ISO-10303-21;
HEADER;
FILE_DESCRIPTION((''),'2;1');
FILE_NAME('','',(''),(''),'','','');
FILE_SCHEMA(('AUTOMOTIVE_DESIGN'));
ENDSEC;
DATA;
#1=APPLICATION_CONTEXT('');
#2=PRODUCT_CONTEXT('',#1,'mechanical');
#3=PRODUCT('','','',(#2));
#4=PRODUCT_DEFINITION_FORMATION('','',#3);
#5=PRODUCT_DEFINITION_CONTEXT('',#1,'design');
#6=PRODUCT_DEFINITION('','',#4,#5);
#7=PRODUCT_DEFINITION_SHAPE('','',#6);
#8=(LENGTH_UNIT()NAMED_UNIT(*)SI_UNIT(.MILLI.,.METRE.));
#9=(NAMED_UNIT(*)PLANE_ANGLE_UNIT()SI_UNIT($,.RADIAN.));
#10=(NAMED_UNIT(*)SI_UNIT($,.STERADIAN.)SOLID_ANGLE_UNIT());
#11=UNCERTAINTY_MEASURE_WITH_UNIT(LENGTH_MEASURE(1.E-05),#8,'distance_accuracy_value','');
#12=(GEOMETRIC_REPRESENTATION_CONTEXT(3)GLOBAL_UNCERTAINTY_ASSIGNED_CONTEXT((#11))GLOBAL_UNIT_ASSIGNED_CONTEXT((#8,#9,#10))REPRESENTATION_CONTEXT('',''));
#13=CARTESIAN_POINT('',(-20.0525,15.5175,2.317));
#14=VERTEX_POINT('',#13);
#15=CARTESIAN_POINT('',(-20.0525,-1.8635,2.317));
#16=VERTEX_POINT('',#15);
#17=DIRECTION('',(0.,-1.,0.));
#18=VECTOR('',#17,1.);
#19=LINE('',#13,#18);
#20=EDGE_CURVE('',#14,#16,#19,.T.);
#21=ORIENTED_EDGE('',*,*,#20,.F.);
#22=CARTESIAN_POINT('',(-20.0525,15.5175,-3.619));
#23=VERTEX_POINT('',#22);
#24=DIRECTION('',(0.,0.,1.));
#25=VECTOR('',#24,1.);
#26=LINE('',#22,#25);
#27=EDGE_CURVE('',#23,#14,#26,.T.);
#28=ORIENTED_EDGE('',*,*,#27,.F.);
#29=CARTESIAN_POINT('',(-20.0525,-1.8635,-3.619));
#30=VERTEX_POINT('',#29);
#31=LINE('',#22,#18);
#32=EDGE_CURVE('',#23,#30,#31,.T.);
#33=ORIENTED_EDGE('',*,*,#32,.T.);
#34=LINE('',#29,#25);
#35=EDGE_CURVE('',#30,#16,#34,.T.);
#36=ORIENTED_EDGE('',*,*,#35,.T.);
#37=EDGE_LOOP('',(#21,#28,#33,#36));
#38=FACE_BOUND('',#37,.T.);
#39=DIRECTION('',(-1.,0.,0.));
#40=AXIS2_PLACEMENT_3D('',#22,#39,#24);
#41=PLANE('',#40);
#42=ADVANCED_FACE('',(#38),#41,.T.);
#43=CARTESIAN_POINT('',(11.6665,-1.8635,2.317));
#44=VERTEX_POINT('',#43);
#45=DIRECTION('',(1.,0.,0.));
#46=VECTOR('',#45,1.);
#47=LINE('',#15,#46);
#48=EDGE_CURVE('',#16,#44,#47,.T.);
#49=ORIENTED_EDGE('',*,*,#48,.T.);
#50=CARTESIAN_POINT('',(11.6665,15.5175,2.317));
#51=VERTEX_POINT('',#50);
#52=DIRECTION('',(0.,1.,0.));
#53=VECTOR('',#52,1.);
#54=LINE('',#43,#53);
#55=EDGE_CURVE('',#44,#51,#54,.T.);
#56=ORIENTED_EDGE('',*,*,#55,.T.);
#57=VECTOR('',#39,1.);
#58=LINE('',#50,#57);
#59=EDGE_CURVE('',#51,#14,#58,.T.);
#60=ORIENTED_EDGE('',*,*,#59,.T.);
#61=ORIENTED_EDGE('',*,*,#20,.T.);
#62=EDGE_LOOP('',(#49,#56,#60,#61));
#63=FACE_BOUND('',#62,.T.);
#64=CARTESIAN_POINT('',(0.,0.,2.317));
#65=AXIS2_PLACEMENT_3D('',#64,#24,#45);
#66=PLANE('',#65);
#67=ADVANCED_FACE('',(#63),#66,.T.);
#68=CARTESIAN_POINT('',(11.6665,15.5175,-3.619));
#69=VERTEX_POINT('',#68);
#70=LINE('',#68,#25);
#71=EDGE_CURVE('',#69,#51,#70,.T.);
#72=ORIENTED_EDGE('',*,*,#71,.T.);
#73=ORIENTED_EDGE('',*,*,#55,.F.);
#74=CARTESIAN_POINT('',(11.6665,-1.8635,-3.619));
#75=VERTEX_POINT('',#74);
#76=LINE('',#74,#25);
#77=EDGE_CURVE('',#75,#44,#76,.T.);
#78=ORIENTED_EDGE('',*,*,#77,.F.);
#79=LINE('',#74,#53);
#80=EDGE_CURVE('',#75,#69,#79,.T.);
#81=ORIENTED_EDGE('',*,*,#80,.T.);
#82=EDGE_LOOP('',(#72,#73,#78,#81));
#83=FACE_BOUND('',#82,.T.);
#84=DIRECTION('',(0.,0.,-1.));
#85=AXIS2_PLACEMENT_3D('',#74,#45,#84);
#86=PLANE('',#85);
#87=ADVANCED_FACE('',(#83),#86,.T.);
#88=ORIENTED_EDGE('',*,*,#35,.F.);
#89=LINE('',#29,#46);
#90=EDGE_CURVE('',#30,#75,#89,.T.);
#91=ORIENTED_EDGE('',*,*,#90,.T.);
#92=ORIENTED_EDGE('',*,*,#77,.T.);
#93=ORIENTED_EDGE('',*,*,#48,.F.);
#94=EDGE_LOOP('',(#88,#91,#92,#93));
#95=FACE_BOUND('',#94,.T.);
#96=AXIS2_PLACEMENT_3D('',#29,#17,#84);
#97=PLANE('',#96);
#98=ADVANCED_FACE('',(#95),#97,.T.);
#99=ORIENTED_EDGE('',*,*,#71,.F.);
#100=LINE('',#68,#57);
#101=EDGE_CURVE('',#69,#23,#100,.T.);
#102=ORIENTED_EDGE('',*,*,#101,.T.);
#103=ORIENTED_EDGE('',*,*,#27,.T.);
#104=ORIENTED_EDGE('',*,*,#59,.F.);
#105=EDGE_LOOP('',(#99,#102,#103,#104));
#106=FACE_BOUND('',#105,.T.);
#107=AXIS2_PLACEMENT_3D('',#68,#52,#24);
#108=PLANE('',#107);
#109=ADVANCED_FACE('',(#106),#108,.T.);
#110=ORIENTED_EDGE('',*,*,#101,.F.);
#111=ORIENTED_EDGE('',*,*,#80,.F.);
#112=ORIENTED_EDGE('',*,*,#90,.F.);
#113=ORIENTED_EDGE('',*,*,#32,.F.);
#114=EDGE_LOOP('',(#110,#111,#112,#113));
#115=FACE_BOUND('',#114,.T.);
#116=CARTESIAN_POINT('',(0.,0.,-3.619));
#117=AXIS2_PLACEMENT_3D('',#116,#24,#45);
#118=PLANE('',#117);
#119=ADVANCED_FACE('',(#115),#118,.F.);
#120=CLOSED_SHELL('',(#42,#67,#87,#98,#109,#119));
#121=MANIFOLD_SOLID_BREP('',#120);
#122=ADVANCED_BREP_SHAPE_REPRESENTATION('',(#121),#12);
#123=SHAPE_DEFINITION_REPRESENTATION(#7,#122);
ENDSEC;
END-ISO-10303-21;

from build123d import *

# Parameters (mm, degrees)
CURVEBOSS_DEPTH      = 2.317
CURVEBOSS_DEPTH_BACK = 3.619
CURVESKETCH_W        = 31.719
CURVESKETCH_H        = 17.381


with BuildPart() as part:
    # CurveSketch → CurveBoss (new, two sides: drawn at the far end of the back side and taken through both)
    with BuildSketch(Plane.XY.offset(-CURVEBOSS_DEPTH_BACK)):
        with Locations((-4.193, 6.827)):
            Rectangle(CURVESKETCH_W, CURVESKETCH_H)
    extrude(amount=CURVEBOSS_DEPTH + CURVEBOSS_DEPTH_BACK)


solid = part.part
